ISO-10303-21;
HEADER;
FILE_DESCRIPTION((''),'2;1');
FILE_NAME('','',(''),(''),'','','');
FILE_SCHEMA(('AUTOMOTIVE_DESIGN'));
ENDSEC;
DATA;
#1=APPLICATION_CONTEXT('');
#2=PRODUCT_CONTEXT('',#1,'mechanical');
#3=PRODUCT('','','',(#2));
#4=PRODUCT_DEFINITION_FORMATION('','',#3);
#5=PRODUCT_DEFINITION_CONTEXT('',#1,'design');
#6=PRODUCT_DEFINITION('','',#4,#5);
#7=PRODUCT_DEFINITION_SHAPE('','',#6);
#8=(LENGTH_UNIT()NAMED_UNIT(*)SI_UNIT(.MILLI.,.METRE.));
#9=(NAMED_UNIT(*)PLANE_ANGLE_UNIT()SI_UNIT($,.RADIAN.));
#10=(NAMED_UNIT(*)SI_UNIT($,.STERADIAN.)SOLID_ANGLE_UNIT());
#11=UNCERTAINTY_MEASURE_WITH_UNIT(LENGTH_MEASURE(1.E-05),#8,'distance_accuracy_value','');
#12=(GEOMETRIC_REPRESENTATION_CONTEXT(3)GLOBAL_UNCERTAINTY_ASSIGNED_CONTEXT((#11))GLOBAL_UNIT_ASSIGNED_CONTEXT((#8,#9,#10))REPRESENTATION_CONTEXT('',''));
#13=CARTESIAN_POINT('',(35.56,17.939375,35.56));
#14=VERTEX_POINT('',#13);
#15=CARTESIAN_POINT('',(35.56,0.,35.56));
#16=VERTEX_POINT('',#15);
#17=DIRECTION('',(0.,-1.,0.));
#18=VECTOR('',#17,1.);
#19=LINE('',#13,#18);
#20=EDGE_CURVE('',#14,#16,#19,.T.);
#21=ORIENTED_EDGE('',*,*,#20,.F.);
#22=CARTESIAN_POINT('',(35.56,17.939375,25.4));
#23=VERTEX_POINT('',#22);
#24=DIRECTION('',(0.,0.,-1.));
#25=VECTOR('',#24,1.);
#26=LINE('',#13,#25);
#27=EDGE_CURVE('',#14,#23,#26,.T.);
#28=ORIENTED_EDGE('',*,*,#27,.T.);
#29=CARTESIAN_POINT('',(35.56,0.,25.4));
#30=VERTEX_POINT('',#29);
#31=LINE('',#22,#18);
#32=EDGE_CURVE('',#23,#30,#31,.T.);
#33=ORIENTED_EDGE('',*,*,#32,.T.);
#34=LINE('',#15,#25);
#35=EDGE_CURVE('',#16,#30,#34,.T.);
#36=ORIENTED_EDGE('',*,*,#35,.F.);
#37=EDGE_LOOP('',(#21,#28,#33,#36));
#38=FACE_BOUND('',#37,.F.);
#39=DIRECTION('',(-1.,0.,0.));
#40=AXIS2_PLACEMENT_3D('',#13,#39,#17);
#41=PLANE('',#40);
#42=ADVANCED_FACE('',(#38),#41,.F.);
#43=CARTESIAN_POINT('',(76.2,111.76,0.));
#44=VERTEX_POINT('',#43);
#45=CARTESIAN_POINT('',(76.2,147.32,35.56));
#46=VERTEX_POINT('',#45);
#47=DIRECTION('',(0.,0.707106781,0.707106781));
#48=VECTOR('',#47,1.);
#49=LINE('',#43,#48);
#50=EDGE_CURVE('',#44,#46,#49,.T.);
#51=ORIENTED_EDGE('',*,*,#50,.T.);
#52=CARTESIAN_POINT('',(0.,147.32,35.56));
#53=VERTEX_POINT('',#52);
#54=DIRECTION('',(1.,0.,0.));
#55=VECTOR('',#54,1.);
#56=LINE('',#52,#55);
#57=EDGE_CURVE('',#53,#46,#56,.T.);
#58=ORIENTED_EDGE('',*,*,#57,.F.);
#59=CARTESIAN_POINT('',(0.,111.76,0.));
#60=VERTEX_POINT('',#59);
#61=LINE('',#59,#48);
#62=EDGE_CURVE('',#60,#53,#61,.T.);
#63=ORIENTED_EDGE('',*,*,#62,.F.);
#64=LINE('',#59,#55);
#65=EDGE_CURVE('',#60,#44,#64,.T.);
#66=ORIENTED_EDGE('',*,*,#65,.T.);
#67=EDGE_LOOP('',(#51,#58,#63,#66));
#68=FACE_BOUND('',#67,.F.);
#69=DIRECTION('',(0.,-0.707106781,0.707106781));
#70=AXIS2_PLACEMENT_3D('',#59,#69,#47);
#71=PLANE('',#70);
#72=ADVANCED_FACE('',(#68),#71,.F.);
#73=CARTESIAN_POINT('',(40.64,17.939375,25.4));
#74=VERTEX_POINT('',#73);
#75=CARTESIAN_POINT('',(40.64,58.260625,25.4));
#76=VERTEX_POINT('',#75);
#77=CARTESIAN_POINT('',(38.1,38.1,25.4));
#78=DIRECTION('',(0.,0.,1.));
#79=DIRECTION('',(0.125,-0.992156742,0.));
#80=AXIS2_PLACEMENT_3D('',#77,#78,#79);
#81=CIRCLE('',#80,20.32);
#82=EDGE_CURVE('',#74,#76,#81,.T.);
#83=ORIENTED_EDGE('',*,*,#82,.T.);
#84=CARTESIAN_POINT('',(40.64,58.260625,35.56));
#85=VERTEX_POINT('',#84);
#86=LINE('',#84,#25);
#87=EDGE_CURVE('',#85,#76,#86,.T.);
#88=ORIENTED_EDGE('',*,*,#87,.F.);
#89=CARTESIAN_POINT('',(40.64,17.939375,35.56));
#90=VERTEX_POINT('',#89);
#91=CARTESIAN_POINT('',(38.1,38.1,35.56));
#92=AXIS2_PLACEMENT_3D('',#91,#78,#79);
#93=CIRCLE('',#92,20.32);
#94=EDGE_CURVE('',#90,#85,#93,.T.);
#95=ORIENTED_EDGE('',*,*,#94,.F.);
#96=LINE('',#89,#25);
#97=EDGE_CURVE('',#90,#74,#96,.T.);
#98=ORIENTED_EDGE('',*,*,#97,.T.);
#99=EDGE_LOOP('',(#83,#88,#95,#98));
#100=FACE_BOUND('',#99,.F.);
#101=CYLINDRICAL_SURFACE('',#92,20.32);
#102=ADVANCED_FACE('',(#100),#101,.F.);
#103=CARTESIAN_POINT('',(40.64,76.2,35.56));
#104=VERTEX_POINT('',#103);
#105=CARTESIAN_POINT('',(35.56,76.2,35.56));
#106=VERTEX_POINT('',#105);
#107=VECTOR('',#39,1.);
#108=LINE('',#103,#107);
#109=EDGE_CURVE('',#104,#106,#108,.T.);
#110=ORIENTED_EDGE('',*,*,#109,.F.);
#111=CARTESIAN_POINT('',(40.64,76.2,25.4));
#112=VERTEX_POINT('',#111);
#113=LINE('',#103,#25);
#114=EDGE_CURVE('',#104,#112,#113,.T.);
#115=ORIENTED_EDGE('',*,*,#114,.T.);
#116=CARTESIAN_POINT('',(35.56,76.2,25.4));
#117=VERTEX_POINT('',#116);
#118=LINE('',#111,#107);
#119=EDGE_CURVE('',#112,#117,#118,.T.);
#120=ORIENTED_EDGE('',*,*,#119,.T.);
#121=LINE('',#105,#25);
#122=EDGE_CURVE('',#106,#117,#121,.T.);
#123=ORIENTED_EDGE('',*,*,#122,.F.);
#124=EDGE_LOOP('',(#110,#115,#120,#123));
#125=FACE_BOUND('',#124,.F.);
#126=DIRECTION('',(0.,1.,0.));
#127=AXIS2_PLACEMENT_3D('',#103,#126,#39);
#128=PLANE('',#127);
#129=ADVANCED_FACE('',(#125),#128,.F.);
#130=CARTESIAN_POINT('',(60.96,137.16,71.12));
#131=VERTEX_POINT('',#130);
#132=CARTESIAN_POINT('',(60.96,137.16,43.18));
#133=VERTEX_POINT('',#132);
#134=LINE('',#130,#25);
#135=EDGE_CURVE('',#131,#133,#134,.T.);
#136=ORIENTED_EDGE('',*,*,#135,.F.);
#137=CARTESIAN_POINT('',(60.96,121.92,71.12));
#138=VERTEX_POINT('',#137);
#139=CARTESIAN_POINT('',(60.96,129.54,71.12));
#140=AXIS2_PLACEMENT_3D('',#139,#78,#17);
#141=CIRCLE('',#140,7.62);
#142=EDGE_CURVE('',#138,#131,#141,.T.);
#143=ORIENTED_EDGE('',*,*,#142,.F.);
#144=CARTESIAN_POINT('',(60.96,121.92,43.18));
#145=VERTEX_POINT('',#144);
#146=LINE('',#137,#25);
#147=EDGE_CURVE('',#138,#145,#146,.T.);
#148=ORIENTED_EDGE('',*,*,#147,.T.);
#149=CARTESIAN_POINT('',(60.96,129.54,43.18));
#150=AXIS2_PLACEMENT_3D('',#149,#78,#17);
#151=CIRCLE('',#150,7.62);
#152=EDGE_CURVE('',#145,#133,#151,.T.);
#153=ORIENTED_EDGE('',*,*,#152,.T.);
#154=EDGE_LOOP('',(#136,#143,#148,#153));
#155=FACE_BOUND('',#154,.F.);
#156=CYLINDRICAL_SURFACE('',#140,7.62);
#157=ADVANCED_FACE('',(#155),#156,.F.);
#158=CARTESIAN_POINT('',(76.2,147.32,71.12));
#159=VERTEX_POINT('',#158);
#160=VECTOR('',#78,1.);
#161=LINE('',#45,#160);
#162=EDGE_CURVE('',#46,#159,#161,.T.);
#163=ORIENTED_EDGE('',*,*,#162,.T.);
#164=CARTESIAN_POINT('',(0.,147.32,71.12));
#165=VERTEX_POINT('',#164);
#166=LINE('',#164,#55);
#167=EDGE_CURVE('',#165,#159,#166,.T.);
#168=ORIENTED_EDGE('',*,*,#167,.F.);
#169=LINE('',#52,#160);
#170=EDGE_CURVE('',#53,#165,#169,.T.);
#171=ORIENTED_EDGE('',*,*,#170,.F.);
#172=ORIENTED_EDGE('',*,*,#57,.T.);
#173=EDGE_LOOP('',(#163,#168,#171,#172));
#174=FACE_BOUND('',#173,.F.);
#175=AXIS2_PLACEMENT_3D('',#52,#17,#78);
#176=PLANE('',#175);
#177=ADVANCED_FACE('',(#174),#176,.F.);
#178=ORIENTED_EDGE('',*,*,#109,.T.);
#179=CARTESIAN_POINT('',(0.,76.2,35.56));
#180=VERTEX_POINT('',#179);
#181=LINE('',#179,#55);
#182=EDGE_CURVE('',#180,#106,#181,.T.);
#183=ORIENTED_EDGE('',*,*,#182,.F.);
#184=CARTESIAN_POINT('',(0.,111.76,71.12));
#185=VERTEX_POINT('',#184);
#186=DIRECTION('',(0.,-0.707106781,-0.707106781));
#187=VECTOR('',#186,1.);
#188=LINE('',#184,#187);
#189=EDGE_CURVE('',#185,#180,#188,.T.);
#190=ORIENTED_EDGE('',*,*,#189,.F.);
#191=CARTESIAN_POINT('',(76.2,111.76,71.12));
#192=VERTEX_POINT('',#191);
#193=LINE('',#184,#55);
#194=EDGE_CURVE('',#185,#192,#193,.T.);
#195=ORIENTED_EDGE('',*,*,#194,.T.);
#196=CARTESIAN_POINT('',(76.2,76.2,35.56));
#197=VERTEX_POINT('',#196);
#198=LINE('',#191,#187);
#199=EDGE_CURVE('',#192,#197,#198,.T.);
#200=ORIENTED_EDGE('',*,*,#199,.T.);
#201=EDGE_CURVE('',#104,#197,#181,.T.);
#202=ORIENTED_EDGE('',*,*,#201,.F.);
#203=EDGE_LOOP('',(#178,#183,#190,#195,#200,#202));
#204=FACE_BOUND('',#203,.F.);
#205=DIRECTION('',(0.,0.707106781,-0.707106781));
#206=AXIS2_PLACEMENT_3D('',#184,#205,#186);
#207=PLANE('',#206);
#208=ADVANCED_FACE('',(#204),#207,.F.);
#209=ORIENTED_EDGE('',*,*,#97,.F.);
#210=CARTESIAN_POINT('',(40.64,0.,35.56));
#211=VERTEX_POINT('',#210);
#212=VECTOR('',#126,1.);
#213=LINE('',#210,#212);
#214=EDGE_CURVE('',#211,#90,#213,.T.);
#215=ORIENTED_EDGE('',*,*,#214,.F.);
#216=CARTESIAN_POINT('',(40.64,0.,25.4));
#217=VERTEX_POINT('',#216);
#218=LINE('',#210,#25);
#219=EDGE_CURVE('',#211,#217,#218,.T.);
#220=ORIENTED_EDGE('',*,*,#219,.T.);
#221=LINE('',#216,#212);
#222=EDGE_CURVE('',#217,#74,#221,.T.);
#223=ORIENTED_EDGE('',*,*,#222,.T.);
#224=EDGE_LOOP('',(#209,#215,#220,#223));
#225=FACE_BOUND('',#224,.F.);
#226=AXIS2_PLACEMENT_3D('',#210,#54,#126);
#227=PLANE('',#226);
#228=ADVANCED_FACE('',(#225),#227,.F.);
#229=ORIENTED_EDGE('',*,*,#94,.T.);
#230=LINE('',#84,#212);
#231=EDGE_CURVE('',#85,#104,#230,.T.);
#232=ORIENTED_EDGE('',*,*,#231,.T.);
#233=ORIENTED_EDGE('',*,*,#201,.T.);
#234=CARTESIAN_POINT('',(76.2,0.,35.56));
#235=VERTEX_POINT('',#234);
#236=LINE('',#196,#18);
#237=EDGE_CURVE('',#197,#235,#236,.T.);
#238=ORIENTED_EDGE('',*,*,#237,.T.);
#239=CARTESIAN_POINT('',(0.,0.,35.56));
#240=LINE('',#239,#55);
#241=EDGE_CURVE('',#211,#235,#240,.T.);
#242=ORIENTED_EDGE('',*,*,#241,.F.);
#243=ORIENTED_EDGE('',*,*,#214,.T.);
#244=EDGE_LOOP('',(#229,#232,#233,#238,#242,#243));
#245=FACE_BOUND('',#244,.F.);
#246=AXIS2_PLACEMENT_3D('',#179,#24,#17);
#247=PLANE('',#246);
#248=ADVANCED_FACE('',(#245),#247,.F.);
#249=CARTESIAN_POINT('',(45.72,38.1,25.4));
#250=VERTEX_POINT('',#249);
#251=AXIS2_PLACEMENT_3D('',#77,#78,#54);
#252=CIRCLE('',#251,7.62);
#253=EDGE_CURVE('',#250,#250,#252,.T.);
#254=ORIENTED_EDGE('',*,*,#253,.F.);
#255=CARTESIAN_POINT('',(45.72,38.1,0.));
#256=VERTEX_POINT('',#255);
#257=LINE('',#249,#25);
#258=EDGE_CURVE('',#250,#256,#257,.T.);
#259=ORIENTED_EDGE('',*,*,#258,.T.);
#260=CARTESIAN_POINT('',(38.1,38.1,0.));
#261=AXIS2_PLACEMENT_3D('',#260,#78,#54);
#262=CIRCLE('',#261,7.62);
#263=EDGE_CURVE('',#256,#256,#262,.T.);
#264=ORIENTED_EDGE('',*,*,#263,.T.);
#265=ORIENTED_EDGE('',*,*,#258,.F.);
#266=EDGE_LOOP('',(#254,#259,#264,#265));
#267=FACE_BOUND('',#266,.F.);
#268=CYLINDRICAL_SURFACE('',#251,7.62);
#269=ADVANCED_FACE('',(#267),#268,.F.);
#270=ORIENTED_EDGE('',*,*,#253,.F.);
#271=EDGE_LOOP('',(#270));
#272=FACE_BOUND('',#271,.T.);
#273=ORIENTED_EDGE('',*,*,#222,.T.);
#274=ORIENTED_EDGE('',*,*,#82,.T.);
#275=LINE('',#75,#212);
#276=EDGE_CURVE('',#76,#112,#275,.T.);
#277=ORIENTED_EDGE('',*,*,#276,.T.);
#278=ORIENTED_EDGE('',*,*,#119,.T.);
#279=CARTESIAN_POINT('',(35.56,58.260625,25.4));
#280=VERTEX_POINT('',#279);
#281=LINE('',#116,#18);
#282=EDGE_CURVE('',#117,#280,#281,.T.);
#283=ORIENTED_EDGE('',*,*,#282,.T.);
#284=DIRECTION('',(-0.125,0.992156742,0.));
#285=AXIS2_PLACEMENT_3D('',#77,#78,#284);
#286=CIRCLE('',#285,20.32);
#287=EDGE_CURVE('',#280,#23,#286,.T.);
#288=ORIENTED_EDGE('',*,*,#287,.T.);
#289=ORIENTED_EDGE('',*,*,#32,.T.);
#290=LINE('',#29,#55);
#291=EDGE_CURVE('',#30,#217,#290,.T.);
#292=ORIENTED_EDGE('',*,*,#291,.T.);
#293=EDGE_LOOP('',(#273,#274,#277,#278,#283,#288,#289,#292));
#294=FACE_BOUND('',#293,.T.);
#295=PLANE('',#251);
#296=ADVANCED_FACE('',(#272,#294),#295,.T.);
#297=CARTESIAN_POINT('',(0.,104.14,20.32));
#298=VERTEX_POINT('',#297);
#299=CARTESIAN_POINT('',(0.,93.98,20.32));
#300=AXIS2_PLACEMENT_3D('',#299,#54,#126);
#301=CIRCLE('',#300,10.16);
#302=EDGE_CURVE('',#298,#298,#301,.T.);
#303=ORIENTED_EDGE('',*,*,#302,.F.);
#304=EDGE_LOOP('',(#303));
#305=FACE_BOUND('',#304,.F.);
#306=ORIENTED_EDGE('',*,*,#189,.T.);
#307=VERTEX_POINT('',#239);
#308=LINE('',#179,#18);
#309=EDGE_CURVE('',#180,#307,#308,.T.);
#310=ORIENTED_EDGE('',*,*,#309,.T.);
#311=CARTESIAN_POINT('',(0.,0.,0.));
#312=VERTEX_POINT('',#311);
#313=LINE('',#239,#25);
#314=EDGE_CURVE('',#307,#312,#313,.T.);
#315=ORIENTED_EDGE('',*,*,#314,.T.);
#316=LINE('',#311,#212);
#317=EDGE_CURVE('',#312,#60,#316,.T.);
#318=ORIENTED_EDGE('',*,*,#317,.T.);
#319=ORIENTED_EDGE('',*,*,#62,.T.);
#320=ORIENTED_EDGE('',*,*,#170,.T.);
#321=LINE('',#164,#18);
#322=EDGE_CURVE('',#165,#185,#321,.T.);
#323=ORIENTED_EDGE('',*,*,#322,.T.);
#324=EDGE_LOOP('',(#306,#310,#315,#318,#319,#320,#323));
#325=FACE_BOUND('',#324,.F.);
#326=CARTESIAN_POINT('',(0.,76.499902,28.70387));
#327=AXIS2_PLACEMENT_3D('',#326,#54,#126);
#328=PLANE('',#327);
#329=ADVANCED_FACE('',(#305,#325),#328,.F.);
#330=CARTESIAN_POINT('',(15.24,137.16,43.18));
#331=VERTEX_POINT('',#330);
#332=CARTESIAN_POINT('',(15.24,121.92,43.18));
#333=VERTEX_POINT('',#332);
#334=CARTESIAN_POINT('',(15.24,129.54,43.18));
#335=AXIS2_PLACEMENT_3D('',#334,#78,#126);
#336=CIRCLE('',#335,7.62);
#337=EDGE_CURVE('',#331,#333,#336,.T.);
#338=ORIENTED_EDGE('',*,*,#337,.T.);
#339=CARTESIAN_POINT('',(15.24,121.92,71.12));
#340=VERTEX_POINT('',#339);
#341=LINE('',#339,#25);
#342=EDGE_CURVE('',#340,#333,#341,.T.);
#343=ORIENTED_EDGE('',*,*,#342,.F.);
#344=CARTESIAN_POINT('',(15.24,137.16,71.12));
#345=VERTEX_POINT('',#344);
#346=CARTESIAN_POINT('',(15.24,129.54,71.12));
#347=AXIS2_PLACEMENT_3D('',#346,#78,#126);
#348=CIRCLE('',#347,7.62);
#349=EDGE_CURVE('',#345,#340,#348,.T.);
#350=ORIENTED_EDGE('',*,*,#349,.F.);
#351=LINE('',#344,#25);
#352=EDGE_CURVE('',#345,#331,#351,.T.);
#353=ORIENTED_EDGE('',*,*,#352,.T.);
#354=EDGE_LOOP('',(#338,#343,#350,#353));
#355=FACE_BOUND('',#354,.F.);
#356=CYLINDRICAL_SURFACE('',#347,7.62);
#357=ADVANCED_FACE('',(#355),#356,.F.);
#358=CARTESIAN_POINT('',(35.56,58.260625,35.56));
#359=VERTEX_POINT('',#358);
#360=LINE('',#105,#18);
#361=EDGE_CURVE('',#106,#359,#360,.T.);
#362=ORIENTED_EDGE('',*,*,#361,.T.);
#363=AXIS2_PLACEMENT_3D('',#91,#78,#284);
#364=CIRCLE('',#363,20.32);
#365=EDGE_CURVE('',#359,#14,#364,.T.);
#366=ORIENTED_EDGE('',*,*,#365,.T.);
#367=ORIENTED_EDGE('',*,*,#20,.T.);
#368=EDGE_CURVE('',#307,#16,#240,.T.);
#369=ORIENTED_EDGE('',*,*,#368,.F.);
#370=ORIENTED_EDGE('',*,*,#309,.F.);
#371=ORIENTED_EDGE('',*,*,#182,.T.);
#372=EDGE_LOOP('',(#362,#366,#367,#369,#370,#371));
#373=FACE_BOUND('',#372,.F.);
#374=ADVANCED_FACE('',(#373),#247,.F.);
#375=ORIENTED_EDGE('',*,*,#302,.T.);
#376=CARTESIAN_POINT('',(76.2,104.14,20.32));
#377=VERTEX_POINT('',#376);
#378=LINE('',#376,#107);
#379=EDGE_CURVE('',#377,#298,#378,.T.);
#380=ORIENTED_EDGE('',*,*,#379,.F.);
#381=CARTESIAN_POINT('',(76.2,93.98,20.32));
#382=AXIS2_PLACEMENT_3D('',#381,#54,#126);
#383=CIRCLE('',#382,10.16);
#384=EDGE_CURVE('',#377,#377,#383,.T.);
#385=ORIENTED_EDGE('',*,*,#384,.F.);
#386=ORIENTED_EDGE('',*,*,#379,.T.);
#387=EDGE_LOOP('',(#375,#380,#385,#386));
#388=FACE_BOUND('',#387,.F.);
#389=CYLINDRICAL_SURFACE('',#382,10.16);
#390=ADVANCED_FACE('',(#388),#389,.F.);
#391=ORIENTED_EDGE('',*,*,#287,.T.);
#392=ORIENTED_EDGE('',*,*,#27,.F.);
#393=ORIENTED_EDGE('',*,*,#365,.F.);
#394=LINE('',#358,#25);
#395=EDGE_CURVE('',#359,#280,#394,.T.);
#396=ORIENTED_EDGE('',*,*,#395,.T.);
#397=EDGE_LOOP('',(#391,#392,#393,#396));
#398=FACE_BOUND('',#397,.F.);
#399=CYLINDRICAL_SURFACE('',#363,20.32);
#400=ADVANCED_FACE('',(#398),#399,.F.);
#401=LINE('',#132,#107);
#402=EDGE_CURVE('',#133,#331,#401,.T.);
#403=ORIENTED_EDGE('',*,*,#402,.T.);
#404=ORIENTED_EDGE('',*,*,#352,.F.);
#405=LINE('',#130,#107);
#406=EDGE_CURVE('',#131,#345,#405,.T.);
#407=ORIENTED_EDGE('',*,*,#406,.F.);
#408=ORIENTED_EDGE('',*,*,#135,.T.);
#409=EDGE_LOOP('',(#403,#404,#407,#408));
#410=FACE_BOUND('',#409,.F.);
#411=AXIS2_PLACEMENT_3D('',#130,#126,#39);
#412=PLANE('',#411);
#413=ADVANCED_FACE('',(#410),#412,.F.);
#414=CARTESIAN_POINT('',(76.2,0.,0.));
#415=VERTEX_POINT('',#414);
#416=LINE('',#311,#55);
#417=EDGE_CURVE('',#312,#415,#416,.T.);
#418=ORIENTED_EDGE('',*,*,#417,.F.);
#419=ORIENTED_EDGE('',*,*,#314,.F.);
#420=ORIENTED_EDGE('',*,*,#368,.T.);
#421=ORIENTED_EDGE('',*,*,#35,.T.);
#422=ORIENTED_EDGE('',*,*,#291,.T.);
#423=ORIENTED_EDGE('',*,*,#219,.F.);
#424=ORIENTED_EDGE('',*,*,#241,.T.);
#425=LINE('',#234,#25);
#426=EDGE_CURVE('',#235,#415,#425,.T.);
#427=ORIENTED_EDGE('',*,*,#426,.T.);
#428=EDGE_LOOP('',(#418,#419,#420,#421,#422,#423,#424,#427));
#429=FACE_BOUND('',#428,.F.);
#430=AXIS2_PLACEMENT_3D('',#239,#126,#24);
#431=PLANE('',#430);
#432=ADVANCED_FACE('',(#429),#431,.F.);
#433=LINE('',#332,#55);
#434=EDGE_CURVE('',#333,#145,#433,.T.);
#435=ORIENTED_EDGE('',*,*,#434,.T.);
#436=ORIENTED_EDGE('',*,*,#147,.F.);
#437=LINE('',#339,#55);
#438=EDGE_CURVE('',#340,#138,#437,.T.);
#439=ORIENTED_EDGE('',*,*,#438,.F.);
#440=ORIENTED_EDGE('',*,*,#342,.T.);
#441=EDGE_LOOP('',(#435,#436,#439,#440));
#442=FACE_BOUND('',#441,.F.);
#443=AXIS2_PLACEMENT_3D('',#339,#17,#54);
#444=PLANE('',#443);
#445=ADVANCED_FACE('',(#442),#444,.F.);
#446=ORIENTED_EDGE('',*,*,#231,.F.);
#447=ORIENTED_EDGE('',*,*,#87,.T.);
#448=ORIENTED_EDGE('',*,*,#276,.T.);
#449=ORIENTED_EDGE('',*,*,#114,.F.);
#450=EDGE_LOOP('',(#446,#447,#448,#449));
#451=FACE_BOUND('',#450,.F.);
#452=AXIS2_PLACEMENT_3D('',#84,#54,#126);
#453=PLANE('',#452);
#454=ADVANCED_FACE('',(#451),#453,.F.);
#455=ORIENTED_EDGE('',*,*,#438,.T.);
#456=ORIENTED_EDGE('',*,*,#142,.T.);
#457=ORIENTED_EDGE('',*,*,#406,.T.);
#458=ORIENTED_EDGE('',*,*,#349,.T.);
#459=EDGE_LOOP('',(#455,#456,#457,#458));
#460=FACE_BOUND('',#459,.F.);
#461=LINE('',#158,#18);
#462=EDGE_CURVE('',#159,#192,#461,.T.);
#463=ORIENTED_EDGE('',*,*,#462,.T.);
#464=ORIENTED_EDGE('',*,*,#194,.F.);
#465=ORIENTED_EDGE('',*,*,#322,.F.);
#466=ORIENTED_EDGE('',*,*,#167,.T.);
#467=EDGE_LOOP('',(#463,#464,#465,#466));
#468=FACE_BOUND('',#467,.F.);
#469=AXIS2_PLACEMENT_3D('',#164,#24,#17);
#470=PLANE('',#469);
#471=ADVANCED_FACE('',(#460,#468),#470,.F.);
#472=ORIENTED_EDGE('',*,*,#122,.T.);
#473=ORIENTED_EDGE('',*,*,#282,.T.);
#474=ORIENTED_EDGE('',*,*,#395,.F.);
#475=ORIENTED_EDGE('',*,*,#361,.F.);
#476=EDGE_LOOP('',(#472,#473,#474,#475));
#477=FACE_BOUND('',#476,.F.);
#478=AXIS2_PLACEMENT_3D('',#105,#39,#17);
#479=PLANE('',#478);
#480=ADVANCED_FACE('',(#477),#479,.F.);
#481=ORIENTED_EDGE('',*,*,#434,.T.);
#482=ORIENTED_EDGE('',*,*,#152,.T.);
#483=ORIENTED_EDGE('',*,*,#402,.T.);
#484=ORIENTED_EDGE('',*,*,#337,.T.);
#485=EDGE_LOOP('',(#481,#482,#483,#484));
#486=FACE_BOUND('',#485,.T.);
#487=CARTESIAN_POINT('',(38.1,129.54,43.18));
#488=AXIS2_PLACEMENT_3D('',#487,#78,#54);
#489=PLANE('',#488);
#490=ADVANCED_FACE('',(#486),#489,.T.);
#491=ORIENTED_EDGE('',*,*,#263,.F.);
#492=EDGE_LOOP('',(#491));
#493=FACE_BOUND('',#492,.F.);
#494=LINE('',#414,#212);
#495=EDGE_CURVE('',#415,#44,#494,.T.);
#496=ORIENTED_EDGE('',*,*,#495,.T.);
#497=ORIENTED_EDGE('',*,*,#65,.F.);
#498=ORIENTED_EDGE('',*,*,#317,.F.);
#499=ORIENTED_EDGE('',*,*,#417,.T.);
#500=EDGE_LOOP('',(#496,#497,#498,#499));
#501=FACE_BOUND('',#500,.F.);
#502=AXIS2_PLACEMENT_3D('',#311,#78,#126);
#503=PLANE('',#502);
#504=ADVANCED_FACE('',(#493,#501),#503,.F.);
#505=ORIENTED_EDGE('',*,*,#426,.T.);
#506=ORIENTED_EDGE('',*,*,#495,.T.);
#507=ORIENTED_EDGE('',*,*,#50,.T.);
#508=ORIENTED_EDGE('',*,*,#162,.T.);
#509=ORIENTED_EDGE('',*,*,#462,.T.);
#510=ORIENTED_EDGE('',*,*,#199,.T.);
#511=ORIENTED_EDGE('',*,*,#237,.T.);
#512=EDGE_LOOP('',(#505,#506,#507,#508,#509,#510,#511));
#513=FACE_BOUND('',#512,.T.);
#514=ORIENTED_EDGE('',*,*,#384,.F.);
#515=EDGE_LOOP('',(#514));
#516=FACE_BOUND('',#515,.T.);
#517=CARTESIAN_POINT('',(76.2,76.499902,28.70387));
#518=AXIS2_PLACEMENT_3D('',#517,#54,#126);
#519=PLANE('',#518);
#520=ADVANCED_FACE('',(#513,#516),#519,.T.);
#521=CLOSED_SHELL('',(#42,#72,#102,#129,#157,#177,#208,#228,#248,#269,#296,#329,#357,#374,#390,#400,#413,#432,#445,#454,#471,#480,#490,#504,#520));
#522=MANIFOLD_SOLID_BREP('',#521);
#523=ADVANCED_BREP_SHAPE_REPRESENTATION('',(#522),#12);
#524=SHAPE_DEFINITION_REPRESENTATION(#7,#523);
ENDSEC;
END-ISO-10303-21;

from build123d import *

# Parameters (mm, degrees)
F1_DEPTH = 76.2
F4_DEPTH = 10.16
F6_R     = 7.62
F7_DEPTH = 25.401
F2_R     = 10.16
F8_DEPTH = 76.201
F9_DEPTH = 27.94


with BuildPart() as f1:
    # F0 (on Right) → F1 (new body)
    with BuildSketch(Plane.YZ):
        Polygon((0, 35.56), (0, 0), (111.76, 0), (147.32, 35.56), (147.32, 71.12), (111.76, 71.12), (76.2, 35.56), align=None)
    extrude(amount=F1_DEPTH)

    # F3 (on face) → F4 (cut)
    with BuildSketch(Plane.XY.offset(35.56)):
        with BuildLine():
            Line((35.56, 76.2), (35.56, 58.260625))
            ThreePointArc((35.56, 58.260625), (17.78, 38.1), (35.56, 17.939375))
            Line((35.56, 17.939375), (35.56, 0))
            Line((35.56, 0), (40.64, 0))
            Line((40.64, 0), (40.64, 17.939375))
            ThreePointArc((40.64, 17.939375), (58.42, 38.1), (40.64, 58.260625))
            Line((40.64, 58.260625), (40.64, 76.2))
            Line((40.64, 76.2), (35.56, 76.2))
        make_face()
    extrude(amount=-F4_DEPTH, mode=Mode.SUBTRACT)

    # F6 (on face) → F7 (cut, through all)
    with BuildSketch(Plane.XY.offset(25.4)):
        with Locations((38.1, 38.1)):
            Circle(F6_R)
    extrude(amount=-F7_DEPTH, mode=Mode.SUBTRACT)

    # F2 (on face) → F8 (cut, through all)
    with BuildSketch(Plane.YZ.offset(76.2)):
        with Locations((93.98, 20.32)):
            Circle(F2_R)
    extrude(amount=-F8_DEPTH, mode=Mode.SUBTRACT)

    # F5 (on face) → F9 (cut)
    with BuildSketch(Plane.XY.offset(71.12)):
        with BuildLine():
            Line((60.96, 137.16), (15.24, 137.16))
            ThreePointArc((15.24, 137.16), (7.62, 129.54), (15.24, 121.92))
            Line((15.24, 121.92), (60.96, 121.92))
            ThreePointArc((60.96, 121.92), (68.58, 129.54), (60.96, 137.16))
        make_face()
    extrude(amount=-F9_DEPTH, mode=Mode.SUBTRACT)


solid = f1.part
